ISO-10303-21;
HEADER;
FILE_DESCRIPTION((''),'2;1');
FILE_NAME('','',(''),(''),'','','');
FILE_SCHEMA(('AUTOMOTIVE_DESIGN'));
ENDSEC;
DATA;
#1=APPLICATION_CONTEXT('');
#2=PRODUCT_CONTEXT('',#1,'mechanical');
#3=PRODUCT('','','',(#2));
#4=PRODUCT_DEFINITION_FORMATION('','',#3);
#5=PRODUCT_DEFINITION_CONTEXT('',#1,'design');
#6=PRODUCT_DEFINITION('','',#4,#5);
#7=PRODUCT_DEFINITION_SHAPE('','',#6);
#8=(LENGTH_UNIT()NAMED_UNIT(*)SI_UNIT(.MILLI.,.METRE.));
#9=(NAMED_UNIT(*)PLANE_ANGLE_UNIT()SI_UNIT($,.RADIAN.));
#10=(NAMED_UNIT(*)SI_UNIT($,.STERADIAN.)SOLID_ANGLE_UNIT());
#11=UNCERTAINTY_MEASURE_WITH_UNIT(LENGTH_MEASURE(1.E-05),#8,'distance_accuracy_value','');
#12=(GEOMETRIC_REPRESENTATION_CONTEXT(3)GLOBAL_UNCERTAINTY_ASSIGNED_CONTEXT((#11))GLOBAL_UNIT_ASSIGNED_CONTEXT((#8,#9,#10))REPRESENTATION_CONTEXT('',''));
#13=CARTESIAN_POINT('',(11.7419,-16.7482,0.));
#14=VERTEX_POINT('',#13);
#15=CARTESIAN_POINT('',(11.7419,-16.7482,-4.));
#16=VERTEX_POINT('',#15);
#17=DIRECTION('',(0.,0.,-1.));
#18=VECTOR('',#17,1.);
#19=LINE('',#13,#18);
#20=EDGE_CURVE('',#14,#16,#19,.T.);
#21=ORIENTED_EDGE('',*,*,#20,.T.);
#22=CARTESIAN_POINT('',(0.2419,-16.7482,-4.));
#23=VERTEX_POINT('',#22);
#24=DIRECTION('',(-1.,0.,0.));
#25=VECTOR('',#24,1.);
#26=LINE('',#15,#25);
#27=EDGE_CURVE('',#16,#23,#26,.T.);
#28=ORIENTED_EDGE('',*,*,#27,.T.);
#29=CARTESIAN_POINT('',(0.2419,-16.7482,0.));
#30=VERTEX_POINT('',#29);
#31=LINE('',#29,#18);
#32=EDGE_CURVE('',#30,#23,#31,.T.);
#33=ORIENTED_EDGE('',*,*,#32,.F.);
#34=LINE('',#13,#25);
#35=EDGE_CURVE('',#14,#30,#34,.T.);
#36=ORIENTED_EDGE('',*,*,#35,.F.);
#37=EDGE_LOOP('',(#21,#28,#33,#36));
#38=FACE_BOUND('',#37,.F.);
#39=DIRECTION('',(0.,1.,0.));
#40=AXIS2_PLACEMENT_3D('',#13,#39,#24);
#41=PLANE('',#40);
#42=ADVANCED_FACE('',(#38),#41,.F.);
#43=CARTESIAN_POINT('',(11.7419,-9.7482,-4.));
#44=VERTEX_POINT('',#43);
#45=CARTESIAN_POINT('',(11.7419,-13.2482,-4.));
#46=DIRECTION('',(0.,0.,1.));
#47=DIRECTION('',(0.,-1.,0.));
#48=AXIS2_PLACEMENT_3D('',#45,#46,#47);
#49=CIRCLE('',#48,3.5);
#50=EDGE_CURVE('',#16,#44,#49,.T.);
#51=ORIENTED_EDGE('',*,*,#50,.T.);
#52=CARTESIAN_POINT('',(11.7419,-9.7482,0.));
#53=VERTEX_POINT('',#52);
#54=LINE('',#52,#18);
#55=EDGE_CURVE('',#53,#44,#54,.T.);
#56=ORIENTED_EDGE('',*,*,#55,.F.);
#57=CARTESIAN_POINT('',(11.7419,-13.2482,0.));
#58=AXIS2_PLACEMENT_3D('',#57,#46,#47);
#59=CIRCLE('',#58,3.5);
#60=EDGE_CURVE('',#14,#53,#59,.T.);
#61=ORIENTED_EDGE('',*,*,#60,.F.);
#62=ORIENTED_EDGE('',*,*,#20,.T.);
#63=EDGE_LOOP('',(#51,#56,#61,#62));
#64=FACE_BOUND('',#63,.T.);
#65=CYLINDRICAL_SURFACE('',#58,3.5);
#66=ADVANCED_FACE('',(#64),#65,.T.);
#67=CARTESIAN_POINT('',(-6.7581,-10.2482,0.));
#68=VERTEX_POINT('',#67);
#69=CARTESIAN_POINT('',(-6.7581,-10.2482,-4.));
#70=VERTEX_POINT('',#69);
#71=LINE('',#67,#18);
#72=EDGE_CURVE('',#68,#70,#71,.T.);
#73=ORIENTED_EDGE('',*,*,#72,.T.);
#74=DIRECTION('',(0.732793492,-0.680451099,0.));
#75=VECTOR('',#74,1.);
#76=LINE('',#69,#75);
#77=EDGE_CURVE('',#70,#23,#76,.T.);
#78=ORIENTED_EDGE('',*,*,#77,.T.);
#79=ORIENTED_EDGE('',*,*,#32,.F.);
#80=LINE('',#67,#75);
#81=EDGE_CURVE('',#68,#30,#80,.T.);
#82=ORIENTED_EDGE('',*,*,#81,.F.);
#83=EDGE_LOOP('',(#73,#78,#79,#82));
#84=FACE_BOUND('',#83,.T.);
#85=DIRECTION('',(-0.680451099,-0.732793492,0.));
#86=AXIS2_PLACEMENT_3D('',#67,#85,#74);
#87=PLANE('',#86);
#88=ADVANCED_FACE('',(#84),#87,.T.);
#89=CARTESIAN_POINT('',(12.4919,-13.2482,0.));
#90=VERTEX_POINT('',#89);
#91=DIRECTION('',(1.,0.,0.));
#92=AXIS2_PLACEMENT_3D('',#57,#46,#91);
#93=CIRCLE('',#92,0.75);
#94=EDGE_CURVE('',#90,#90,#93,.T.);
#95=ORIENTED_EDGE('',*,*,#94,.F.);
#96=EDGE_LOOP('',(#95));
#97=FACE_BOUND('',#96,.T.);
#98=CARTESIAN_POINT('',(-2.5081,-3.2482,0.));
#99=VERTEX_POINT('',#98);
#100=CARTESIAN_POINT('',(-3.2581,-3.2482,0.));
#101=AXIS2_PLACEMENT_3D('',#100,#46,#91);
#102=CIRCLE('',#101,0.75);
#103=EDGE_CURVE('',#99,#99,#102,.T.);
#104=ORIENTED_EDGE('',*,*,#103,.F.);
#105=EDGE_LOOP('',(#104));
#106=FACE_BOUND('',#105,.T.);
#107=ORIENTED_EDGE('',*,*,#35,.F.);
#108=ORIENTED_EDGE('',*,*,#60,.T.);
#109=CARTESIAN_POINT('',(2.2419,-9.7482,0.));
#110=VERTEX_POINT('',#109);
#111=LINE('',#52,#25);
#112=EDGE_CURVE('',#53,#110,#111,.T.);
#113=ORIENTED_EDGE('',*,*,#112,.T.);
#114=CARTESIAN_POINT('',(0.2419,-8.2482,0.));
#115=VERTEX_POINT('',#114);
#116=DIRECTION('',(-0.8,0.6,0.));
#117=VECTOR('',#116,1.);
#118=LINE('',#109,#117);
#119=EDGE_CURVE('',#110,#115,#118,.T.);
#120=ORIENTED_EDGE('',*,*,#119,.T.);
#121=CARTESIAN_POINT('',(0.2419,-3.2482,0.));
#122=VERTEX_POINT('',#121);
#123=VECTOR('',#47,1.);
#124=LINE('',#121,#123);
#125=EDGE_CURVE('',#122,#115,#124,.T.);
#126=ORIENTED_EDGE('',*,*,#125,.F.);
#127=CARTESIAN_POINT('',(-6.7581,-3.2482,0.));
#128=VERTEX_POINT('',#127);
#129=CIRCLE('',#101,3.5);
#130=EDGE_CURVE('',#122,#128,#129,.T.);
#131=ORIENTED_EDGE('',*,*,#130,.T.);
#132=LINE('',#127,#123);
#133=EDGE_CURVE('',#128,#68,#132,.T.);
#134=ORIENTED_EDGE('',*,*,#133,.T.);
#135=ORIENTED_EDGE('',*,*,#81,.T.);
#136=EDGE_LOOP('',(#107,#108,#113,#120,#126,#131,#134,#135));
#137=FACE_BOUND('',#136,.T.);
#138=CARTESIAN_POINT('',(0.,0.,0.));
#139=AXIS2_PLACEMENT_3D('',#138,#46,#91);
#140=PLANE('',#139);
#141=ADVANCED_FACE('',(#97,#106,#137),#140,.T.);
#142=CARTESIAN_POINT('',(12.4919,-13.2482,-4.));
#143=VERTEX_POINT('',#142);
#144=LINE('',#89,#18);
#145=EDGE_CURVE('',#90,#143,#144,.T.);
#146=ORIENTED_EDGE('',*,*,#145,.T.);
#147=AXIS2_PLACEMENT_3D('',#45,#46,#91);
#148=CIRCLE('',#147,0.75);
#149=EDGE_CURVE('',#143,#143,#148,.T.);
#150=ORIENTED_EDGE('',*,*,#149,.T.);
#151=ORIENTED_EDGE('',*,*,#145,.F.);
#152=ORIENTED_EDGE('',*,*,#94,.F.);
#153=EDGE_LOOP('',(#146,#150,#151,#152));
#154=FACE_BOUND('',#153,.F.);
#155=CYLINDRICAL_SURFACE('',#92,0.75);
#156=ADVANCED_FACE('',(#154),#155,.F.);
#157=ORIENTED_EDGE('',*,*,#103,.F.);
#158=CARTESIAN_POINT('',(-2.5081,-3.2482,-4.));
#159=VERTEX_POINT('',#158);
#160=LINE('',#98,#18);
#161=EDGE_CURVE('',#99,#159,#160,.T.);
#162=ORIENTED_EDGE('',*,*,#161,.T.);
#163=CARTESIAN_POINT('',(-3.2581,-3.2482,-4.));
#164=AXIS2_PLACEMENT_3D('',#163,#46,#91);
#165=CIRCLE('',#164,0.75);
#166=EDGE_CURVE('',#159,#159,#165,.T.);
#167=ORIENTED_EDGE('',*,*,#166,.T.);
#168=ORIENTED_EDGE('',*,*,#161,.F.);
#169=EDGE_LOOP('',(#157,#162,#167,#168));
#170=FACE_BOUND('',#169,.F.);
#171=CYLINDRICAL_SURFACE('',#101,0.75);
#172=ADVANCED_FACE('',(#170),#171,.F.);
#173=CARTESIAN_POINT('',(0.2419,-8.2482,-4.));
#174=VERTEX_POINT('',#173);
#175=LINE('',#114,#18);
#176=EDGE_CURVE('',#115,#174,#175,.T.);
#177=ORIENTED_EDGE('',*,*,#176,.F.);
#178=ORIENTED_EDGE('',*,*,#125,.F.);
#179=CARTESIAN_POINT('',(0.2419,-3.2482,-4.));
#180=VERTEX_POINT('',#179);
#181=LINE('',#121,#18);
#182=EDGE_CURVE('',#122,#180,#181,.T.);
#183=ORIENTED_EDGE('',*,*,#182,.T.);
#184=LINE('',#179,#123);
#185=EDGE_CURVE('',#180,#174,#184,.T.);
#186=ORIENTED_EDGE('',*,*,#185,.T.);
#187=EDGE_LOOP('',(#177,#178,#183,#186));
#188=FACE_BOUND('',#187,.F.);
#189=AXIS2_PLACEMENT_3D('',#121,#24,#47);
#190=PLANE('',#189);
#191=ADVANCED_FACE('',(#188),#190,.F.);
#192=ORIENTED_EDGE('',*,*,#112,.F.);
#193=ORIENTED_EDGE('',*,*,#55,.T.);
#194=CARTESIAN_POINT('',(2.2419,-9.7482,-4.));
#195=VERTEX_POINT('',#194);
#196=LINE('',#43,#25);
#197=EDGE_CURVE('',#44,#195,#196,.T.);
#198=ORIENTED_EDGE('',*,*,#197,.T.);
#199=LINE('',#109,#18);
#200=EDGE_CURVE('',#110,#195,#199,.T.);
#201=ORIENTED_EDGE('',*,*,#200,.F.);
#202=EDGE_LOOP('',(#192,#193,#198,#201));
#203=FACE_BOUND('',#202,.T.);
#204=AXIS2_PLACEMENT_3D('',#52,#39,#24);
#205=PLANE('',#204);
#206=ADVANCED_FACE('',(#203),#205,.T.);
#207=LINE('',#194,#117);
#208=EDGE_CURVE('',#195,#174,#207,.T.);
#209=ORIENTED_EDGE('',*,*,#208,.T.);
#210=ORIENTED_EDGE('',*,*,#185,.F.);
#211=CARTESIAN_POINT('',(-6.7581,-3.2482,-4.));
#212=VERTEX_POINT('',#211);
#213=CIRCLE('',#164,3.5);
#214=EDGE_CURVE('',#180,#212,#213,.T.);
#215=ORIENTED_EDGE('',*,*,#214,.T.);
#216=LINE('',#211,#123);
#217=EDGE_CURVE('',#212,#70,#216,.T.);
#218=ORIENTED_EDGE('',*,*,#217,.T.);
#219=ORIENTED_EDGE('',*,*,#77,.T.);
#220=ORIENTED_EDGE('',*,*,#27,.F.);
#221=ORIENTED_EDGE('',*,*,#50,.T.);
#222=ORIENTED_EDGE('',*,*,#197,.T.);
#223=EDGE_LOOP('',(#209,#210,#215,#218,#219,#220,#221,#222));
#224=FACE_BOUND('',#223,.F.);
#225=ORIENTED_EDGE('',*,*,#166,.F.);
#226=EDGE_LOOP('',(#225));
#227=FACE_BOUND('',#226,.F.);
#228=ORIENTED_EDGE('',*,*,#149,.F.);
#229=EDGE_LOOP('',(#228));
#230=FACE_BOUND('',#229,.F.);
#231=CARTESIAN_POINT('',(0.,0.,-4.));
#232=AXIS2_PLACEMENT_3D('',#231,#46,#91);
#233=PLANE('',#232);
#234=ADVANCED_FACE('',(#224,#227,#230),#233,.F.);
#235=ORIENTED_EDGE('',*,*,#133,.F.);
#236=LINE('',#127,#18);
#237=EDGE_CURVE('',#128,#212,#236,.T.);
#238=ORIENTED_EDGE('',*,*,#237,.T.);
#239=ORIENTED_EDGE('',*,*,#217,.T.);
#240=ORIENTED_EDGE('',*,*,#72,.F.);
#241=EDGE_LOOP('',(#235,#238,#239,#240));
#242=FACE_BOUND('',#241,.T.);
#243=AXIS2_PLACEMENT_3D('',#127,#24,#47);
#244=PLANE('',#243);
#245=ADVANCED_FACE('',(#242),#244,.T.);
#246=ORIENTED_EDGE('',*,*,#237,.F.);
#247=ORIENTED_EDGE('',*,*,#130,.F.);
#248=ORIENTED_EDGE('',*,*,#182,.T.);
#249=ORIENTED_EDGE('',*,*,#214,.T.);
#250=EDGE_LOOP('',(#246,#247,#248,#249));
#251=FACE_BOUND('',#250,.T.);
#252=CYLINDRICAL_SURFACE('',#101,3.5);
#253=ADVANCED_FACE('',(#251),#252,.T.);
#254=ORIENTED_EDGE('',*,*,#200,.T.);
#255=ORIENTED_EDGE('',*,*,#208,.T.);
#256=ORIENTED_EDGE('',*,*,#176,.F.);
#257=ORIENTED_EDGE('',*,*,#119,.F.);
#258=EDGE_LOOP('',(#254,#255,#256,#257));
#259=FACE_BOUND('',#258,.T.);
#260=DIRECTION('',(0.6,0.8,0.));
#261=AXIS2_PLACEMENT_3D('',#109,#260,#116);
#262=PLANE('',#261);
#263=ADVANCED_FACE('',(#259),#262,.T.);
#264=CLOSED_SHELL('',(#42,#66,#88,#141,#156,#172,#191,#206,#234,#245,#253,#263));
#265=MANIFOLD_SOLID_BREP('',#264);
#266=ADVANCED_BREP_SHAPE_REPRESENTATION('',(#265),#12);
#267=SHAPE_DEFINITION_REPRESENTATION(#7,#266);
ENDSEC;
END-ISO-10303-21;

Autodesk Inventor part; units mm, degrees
ref_plane "YZ Plane" through (0, 0, 0) normal (1, 0, 0) x (0, 1, 0)
ref_plane "XZ Plane" through (0, 0, 0) normal (0, 1, 0) x (-1, 0, 0)
ref_plane "XY Plane" through (0, 0, 0) normal (0, 0, 1) x (1, 0, 0)
sketch "Sketch1" plane through (0, 0, 0) normal (0, 0, 1) x (1, 0, 0)
  circle A0 centre (-3.2581, -3.2482) radius 0.75
  circle A1 centre (11.7419, -13.2482) radius 0.75
  arc A2 (11.7419, -16.7482) -> (11.7419, -9.7482) centre (11.7419, -13.2482) ccw
  arc A3 (0.2419, -3.2482) -> (-6.7581, -3.2482) centre (-3.2581, -3.2482) ccw
  circle A4 centre (11.7419, -13.2482) radius 0.75
  circle A5 centre (-3.2581, -3.2482) radius 0.75
  line L0 (0.2419, -3.2482) -> (0.2419, -8.2482)
  line L1 (-6.7581, -3.2482) -> (-6.7581, -10.2482)
  line L2 (11.7419, -9.7482) -> (2.2419, -9.7482)
  line L3 (2.2419, -9.7482) -> (0.2419, -8.2482)
  line L4 (11.7419, -16.7482) -> (0.2419, -16.7482)
  line L5 (-6.7581, -10.2482) -> (0.2419, -16.7482)
  point P0 (0, 0)
  point P1 (-5.7424, -0.7828)
  point P2 (9.5175, -10.546)
  dimension "d0" = 7
  dimension "d1" = 7
  dimension "d4" = 5
  dimension "d5" = 7
  dimension "d6" = 9.5
  dimension "d7" = 11.5
  dimension "d8" = 15
extrude "Extrusion1" add sketch "Sketch1" against normal blind 4
properties part number "linkage"
